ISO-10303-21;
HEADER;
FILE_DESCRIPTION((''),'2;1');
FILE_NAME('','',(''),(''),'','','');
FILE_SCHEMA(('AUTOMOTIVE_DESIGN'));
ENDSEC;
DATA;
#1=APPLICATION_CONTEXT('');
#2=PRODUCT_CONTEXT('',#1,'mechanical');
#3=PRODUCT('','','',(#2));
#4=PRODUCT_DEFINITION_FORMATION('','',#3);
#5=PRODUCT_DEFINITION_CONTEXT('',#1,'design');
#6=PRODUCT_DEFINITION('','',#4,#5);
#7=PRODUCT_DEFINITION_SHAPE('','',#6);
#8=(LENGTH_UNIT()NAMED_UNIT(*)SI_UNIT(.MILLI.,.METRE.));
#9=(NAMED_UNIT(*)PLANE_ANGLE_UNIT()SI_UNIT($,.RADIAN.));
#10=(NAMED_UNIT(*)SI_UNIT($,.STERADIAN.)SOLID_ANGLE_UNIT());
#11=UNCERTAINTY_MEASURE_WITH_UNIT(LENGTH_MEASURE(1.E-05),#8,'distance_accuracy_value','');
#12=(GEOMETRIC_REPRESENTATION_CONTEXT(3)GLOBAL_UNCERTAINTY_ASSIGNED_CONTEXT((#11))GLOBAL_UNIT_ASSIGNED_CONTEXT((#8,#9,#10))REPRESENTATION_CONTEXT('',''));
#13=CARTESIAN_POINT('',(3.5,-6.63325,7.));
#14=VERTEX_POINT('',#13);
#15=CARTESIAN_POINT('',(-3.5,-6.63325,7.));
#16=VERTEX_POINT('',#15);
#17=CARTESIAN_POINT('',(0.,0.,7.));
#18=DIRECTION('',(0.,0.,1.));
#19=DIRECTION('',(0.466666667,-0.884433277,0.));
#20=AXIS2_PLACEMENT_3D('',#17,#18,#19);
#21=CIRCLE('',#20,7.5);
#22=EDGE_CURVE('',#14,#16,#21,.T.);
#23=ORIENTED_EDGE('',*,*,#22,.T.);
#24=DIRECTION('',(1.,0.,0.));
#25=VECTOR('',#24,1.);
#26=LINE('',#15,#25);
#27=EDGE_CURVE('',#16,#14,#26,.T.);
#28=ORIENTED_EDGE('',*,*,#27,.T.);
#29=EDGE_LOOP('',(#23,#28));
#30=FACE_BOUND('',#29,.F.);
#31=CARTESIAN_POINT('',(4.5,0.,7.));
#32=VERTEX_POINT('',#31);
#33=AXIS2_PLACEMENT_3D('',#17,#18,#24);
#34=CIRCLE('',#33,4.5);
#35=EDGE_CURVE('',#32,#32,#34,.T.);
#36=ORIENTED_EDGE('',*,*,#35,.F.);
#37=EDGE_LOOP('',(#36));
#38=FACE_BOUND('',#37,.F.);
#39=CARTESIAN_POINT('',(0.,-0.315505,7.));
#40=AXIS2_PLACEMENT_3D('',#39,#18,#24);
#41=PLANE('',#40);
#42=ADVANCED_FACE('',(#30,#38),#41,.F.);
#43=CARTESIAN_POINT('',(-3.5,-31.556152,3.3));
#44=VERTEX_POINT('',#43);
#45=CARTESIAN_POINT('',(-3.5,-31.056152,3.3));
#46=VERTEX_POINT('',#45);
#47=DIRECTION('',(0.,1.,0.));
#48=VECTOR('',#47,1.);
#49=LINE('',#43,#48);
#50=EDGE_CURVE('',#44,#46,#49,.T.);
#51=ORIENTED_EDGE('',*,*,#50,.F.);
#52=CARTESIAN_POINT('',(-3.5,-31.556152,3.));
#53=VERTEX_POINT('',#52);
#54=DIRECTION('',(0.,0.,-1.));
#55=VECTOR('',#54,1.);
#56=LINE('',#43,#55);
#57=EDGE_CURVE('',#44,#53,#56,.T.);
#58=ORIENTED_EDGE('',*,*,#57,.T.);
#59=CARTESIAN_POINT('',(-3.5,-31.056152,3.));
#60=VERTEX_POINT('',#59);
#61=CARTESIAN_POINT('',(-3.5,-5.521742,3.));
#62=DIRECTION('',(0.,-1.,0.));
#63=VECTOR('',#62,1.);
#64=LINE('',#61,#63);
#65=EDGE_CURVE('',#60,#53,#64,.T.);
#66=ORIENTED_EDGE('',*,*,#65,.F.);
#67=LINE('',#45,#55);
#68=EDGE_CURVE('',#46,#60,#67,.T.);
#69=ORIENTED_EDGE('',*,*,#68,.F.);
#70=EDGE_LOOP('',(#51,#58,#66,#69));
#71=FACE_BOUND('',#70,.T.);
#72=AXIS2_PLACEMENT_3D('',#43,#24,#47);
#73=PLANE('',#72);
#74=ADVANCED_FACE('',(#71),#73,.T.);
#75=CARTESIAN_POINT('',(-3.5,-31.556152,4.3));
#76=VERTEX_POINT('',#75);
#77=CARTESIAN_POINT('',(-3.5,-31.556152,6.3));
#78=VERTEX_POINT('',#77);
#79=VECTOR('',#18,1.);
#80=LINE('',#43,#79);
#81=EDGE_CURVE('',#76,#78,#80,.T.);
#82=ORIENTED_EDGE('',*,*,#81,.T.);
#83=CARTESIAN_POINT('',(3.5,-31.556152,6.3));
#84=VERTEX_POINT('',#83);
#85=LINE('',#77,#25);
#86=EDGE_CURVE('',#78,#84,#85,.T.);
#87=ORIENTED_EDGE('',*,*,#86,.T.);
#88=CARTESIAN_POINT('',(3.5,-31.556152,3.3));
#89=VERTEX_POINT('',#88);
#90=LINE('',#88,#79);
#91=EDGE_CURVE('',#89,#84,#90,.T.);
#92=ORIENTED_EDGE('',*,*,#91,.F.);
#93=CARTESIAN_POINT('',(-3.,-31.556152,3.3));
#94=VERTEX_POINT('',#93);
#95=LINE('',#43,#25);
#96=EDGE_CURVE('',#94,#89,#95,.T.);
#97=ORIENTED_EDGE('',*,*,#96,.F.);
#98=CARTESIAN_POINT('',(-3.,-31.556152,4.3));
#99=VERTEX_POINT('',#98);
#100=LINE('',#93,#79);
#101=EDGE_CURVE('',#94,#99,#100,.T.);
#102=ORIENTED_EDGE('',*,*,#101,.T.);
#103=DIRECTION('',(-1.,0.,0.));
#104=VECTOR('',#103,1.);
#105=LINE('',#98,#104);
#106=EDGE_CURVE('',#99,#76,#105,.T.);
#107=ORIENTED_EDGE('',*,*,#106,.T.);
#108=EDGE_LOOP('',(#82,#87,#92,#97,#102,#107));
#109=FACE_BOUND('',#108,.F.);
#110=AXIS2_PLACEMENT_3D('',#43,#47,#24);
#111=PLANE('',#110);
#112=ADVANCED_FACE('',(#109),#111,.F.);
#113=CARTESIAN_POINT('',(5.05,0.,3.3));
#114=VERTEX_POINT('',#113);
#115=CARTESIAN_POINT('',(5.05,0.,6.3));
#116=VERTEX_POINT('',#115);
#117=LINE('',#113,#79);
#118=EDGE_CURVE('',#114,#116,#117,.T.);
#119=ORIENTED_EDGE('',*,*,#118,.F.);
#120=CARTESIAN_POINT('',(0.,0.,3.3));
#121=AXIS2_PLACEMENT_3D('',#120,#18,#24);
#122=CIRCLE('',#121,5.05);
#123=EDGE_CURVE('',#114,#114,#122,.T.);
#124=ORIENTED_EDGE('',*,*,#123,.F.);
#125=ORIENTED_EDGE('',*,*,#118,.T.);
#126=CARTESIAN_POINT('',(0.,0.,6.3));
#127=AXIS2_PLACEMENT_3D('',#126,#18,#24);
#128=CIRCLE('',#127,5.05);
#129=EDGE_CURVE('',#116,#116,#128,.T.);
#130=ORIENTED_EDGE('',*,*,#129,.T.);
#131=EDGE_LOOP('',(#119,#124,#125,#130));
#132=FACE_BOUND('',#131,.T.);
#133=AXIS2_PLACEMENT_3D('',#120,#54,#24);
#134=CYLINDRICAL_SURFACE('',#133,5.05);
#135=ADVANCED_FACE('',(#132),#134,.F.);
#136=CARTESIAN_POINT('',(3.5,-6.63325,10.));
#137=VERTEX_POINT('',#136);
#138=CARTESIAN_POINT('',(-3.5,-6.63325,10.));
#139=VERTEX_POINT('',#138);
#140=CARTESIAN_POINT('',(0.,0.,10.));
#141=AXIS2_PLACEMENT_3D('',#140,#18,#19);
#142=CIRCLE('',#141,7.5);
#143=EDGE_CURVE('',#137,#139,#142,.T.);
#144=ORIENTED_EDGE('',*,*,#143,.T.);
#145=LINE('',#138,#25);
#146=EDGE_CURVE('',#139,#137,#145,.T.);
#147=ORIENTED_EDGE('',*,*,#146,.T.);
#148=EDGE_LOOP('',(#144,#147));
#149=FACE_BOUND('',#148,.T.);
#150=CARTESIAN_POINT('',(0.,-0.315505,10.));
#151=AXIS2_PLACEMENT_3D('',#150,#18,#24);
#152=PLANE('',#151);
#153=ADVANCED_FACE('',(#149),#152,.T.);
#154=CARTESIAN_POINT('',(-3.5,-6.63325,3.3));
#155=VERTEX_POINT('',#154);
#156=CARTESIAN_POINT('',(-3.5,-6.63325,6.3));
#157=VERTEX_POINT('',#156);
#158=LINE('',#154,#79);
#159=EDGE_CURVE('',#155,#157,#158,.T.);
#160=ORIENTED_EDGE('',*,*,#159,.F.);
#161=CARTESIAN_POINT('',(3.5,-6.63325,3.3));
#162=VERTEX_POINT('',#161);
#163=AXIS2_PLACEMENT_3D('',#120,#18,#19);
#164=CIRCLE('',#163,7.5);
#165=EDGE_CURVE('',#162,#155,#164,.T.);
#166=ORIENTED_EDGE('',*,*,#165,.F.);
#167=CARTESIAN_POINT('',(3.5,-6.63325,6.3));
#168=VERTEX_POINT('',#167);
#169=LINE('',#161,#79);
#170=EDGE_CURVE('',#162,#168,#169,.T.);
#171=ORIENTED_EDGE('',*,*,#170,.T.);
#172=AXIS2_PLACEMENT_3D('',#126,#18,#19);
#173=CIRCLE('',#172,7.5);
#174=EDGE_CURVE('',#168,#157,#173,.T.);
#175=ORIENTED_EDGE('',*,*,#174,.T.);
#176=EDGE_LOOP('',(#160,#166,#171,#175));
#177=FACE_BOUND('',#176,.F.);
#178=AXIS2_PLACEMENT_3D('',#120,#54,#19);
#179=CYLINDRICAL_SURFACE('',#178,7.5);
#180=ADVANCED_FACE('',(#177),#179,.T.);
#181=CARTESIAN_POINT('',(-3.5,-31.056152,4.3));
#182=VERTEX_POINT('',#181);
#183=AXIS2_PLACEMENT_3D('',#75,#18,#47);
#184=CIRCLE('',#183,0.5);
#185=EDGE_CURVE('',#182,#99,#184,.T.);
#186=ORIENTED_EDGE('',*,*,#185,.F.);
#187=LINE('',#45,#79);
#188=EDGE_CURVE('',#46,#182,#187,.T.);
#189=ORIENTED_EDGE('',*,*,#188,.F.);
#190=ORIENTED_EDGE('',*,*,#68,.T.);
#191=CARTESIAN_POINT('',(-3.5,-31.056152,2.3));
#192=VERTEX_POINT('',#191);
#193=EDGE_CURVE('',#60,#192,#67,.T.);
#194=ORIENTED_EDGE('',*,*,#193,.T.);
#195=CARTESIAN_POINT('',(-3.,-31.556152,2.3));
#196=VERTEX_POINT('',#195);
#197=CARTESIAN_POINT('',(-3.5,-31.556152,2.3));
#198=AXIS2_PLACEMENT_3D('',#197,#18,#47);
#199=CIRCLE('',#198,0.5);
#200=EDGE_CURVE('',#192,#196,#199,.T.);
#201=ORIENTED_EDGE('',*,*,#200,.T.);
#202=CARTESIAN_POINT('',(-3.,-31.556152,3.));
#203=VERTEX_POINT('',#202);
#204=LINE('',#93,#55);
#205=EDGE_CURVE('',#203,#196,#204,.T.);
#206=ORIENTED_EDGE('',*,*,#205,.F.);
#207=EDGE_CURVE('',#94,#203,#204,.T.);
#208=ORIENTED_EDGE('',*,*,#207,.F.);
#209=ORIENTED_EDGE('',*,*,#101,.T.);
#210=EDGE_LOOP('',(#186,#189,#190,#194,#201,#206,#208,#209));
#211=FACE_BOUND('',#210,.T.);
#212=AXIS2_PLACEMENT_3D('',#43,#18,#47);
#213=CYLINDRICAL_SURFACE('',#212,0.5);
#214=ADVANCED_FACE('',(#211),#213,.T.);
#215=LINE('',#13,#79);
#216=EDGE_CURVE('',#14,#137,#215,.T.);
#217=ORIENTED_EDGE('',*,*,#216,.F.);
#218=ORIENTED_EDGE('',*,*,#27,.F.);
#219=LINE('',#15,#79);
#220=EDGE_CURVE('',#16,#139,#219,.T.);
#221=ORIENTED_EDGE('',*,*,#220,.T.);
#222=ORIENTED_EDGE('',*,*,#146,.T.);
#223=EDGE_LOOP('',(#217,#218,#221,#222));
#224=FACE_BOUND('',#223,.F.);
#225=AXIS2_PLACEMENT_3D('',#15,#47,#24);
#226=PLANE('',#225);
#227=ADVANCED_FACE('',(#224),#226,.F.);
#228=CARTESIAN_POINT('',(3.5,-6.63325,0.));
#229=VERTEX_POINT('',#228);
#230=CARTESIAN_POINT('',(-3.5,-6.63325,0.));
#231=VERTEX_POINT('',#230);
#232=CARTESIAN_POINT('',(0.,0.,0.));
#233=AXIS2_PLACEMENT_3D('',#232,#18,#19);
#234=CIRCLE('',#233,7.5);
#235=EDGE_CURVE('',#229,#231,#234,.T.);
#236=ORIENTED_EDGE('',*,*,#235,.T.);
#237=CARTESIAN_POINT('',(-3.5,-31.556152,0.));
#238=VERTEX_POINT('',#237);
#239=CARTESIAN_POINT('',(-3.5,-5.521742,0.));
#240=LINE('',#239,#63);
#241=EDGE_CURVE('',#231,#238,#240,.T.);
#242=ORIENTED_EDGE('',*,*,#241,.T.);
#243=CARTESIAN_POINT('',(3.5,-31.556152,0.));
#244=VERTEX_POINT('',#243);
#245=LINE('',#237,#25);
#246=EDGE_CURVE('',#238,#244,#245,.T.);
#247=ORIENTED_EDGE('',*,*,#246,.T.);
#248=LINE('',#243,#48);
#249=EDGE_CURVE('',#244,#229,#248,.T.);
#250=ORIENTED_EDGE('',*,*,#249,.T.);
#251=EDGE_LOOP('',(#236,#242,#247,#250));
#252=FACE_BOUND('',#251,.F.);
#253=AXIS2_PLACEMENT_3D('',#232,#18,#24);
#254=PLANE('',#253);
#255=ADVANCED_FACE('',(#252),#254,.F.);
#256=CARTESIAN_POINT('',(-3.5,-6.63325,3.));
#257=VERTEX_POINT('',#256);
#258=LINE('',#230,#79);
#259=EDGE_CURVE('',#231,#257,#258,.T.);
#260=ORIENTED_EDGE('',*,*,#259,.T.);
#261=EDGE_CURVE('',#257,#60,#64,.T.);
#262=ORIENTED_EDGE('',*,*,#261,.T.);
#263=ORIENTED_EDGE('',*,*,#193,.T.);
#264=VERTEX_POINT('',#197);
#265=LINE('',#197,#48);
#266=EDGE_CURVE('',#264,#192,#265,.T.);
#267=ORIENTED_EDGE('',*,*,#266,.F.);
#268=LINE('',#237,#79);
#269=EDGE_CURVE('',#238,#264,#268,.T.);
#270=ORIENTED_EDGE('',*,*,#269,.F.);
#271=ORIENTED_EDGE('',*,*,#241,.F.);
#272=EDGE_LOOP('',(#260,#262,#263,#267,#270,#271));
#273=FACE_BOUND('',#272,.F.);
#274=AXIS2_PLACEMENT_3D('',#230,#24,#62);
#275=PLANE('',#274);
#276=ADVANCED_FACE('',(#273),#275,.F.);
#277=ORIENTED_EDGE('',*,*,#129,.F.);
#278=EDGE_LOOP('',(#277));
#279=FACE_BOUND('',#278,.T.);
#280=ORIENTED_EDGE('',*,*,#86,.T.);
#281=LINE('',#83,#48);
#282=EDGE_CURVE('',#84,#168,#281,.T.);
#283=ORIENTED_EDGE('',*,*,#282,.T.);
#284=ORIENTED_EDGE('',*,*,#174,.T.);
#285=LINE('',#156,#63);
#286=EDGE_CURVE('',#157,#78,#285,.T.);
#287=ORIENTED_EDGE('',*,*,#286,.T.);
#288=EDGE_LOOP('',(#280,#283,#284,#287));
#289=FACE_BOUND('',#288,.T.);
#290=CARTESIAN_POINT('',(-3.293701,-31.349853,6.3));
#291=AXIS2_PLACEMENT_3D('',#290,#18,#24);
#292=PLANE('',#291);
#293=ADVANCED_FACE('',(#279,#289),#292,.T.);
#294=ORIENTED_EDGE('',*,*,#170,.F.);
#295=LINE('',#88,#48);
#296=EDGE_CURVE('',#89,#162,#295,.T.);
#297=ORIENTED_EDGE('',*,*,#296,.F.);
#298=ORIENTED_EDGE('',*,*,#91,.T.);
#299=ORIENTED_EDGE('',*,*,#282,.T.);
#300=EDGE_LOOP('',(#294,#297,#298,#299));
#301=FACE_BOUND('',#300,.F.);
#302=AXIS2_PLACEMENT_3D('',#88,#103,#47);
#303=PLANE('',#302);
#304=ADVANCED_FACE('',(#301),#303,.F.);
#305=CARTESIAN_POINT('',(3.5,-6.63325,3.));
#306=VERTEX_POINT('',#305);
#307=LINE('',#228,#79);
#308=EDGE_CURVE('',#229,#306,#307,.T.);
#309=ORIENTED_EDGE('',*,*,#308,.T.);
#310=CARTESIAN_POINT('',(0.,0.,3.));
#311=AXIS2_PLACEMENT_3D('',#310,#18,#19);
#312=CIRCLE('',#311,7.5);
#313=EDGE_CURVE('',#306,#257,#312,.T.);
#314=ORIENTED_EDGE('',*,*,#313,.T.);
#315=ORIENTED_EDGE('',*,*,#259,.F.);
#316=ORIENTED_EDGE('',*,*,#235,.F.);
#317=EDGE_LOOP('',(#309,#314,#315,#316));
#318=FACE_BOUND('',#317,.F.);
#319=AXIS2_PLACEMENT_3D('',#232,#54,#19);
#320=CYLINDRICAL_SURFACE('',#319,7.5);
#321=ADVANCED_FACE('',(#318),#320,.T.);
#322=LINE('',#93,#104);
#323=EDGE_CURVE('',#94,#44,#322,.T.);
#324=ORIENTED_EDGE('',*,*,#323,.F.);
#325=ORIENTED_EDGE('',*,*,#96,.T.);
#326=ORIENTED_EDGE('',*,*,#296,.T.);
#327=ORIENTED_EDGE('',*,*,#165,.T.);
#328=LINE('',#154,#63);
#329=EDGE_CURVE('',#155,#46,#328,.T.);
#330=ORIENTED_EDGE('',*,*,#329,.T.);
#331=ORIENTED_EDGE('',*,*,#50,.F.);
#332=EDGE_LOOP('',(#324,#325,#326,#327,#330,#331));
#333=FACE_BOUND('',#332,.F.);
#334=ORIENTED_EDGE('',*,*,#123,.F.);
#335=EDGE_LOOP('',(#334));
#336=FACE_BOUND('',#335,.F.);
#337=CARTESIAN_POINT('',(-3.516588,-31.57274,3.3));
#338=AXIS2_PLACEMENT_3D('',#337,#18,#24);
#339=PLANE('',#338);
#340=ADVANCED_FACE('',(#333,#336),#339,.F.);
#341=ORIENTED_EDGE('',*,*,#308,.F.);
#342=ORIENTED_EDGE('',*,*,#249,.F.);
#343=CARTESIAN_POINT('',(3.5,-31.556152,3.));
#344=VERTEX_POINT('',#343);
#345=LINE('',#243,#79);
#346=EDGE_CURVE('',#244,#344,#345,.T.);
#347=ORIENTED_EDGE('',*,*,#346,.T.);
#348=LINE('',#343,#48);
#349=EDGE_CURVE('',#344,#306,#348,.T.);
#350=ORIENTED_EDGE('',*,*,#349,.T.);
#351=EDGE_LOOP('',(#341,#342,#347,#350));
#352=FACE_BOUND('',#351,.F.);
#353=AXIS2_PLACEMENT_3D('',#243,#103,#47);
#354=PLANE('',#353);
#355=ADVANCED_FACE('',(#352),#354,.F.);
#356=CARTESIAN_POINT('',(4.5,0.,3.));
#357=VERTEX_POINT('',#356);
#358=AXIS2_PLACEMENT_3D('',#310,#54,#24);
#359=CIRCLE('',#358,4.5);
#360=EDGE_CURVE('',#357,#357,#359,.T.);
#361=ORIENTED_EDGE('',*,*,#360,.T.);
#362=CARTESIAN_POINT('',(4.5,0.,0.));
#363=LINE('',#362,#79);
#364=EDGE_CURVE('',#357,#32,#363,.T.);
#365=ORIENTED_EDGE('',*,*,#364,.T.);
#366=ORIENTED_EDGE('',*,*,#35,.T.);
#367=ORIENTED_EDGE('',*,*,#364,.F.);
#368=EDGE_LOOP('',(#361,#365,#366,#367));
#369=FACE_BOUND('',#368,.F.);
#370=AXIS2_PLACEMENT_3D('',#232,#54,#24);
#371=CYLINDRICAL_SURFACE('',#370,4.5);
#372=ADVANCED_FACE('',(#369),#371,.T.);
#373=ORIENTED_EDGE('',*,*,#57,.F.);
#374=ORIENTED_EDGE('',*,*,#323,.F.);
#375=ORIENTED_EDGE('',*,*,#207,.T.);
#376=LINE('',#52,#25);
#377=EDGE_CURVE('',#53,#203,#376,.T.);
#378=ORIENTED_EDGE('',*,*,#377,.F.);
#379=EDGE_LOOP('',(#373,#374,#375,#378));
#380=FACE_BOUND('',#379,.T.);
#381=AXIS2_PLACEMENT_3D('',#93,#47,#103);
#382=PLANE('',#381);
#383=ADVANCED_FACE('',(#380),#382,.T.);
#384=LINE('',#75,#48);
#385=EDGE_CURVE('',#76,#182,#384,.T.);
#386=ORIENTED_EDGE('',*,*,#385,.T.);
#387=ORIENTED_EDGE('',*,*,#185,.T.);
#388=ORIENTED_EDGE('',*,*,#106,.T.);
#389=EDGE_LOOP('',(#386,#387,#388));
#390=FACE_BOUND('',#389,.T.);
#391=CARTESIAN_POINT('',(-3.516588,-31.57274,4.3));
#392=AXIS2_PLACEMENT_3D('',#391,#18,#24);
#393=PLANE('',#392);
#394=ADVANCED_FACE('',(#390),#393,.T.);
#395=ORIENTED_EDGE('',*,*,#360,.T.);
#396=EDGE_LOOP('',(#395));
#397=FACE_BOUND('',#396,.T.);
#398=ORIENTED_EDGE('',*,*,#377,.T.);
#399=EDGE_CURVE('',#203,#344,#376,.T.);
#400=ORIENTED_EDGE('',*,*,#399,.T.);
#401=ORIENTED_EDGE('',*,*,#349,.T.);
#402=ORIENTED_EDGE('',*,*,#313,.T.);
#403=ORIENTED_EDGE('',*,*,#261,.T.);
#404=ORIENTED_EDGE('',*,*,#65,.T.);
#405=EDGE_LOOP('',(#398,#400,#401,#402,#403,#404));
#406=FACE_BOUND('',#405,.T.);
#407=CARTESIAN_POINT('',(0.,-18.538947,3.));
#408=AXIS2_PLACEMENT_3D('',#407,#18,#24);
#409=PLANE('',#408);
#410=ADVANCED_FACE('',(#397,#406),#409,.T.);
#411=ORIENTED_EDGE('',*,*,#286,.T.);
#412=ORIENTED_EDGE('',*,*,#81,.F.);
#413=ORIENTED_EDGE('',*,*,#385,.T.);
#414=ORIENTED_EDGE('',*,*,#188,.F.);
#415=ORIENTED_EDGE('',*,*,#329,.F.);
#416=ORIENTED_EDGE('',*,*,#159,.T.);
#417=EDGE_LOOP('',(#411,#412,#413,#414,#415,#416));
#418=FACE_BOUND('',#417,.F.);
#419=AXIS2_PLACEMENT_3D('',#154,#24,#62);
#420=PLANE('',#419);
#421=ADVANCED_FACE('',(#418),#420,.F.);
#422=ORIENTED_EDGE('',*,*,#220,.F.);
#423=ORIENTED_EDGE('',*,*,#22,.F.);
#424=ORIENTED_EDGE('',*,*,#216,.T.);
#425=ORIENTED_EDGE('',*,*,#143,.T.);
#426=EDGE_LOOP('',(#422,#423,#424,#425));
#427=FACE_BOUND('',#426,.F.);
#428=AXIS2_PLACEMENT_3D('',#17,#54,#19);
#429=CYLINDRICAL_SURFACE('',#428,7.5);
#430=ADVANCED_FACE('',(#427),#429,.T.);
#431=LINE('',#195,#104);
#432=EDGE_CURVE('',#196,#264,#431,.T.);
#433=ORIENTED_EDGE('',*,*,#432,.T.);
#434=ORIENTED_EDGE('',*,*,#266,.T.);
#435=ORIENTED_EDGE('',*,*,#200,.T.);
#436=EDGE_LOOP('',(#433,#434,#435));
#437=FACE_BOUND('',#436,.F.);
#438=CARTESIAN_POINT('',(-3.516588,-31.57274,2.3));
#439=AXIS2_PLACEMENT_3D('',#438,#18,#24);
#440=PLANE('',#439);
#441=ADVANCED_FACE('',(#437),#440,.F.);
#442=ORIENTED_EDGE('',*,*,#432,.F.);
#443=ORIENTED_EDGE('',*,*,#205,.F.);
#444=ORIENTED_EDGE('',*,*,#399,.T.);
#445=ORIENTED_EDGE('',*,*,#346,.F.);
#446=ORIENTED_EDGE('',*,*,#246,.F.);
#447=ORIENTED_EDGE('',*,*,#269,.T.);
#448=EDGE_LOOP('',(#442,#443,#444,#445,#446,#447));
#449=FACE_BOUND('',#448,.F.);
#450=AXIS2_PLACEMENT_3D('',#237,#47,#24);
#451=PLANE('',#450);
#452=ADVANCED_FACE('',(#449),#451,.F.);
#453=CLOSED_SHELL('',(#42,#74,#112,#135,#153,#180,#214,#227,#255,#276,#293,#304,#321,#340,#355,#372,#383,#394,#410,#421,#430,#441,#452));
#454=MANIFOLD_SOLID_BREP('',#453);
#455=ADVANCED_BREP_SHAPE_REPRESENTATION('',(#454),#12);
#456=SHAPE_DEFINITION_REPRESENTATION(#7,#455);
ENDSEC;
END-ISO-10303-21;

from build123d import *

# Parameters (mm, degrees)
F2_R          = 5.05
F3_DEPTH      = 3
F0_R          = 4.5
F4_DEPTH      = 3
F5_DEPTH      = 7
F8_DEPTH      = 3
F9_DEPTH      = 1
F9_DEPTH_BACK = 1


with BuildPart() as f3:
    # F2 (on offset) → F3 (new body)
    with BuildSketch(Plane.XY.offset(3.3)):
        with BuildLine():
            ThreePointArc((-3, -31.5561521365), (-3.1464466094, -31.2025987459), (-3.5, -31.0561521365))
            Line((-3.5, -31.0561521365), (-3.5, -31.5561521365))
            Line((-3.5, -31.5561521365), (-3, -31.5561521365))
        make_face()
        with BuildLine():
            Line((3.5, -6.6332495807), (3.5, -5.5217424324))
            Line((3.5, -5.5217424324), (-3.5, -5.5217424324))
            Line((-3.5, -5.5217424324), (-3.5, -6.6332495807))
            Line((-3.5, -6.6332495807), (-3.5, -31.0561521365))
            ThreePointArc((-3.5, -31.0561521365), (-3.1464466094, -31.2025987459), (-3, -31.5561521365))
            Line((-3, -31.5561521365), (3.5, -31.5561521365))
            Line((3.5, -31.5561521365), (3.5, -6.6332495807))
        make_face()
        with BuildLine():
            Line((-3.5, -5.5217424324), (3.5, -5.5217424324))
            Line((3.5, -5.5217424324), (3.5, -6.6332495807))
            ThreePointArc((3.5, -6.6332495807), (0, 7.5), (-3.5, -6.6332495807))
            Line((-3.5, -6.6332495807), (-3.5, -5.5217424324))
        make_face()
        Circle(F2_R, mode=Mode.SUBTRACT)
    extrude(amount=F3_DEPTH)



with BuildPart() as f4:
    # F0 (on Top) → F4 (new body)
    with BuildSketch(Plane.XY):
        Polygon((3.5, -31.5561521365), (3.5, -6.6332495807), (3.5, -5.5217424324), (-3.5, -5.5217424324), (-3.5, -6.6332495807), (-3.5, -31.5561521365), align=None)
        with BuildLine():
            Line((3.5, -5.5217424324), (3.5, -6.6332495807))
            ThreePointArc((3.5, -6.6332495807), (0, 7.5), (-3.5, -6.6332495807))
            Line((-3.5, -6.6332495807), (-3.5, -5.5217424324))
            Line((-3.5, -5.5217424324), (3.5, -5.5217424324))
        make_face()
        Circle(F0_R, mode=Mode.SUBTRACT)
        Circle(F0_R)
    extrude(amount=F4_DEPTH)

    # F0 (on Top) → F5 (join)
    with BuildSketch(Plane.XY):
        Circle(F0_R)
    extrude(amount=F5_DEPTH)

    # F7 (on offset) → F8 (join)
    with BuildSketch(Plane.XY.offset(7)):
        with BuildLine():
            Line((-3.5, -6.6332495807), (3.5, -6.6332495807))
            ThreePointArc((3.5, -6.6332495807), (0, 7.5), (-3.5, -6.6332495807))
        make_face()
    extrude(amount=F8_DEPTH)


with BuildPart() as f3_1:
    add(f3.part)

    add(f4.part)  # F9 merges F4
    # F2 (on offset) → F9 (join, two sides)
    with BuildSketch(Plane.XY.offset(3.3)) as f9_sk:
        with BuildLine():
            Line((-3.5, -31.5561521365), (-3.5, -31.0561521365))
            ThreePointArc((-3.5, -31.0561521365), (-3.8535533906, -31.9097055271), (-3, -31.5561521365))
            Line((-3, -31.5561521365), (-3.5, -31.5561521365))
        make_face()
    extrude(amount=F9_DEPTH)
    extrude(f9_sk.sketch, amount=-F9_DEPTH_BACK)


solid = f3_1.part
